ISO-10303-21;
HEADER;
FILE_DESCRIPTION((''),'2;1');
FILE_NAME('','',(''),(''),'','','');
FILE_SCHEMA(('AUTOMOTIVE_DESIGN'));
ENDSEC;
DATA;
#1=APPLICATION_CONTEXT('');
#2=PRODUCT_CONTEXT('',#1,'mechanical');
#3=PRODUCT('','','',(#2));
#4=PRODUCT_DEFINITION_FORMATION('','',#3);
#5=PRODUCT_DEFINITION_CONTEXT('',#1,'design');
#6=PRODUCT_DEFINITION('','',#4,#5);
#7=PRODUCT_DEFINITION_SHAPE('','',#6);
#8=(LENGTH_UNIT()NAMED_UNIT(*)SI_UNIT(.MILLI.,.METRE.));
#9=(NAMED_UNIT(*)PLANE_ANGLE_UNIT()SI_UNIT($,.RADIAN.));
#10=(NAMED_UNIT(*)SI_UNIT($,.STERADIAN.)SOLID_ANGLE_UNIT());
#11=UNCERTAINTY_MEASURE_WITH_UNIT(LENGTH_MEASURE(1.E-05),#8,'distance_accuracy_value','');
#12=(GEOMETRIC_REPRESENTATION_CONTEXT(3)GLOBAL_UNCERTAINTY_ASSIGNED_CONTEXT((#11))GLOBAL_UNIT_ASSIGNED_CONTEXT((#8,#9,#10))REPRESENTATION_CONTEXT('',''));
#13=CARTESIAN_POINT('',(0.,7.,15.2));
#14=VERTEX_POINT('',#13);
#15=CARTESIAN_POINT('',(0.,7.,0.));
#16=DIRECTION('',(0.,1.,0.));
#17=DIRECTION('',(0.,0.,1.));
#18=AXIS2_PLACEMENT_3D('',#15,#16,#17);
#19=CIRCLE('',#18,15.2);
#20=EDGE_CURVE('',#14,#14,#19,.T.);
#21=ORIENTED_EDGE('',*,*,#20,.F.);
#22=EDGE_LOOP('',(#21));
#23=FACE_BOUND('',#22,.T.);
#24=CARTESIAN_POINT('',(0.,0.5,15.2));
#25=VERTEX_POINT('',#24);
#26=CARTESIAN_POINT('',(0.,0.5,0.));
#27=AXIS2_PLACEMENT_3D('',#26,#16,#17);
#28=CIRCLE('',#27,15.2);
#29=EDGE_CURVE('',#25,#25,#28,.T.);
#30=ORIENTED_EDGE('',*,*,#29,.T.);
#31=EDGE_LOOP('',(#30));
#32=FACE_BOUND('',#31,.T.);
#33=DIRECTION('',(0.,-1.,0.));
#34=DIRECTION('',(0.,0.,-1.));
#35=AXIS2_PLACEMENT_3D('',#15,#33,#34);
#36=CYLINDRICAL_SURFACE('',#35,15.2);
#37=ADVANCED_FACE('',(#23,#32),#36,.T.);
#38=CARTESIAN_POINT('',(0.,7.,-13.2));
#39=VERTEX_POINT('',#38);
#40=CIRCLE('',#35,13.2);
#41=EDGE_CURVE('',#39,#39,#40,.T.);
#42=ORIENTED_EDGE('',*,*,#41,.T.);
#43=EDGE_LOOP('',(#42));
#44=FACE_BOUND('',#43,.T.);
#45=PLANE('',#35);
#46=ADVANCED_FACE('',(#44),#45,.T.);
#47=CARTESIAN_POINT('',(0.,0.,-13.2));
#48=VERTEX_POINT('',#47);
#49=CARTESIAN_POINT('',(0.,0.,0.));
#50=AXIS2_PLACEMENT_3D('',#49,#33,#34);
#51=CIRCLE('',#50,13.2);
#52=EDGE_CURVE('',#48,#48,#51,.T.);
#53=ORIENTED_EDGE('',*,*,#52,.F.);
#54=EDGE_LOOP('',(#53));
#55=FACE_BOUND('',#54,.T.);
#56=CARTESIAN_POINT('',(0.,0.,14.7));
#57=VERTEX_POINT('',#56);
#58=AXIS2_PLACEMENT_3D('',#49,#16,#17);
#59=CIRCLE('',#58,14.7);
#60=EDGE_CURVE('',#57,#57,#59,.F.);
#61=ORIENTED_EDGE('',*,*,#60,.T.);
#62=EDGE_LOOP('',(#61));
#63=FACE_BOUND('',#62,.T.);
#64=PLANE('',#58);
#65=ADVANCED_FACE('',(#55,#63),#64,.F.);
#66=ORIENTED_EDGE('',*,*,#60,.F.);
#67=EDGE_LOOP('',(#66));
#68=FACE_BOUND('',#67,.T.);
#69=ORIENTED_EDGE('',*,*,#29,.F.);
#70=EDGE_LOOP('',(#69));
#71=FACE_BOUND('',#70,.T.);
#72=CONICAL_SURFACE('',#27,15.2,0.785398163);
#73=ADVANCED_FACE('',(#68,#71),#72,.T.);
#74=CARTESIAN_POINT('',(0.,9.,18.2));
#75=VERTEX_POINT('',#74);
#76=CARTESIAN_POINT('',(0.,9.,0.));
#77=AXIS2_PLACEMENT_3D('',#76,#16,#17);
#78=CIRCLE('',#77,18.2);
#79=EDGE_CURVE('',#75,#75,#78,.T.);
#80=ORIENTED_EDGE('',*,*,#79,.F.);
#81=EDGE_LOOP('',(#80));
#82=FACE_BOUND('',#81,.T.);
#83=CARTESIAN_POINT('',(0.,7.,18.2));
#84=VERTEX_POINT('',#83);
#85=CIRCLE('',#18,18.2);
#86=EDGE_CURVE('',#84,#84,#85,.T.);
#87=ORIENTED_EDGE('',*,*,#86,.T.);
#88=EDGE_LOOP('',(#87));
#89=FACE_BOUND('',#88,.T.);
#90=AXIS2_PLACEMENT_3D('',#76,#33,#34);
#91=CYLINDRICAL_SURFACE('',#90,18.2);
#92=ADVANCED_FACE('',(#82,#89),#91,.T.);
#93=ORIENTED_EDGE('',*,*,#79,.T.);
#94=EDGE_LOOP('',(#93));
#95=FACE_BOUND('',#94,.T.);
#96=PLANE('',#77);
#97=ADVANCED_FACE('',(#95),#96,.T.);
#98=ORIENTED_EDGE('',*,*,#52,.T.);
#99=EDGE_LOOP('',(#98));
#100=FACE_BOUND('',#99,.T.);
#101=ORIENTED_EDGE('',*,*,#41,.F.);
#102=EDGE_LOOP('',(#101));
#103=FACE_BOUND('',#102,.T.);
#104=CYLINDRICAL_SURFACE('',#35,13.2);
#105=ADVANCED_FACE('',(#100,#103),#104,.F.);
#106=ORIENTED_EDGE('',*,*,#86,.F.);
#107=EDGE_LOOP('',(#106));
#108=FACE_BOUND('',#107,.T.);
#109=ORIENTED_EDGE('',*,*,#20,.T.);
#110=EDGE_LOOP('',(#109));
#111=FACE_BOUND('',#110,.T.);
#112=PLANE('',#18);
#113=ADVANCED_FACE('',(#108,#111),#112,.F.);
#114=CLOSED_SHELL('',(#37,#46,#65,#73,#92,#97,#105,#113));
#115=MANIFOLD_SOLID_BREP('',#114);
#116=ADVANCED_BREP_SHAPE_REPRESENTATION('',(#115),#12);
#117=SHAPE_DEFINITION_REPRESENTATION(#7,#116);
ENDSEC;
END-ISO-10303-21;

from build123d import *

# Parameters (mm, degrees)
SKETCH_1_R          = 15.2
D30_4T7_DEPTH       = 7
SKETCH_2_R          = 18.2
SKETCH_2_R_2        = 15.2
EXTRUDE_2_DEPTH     = 2
SKETCH_3_R          = 13.2
CUT_EXTRUDE_1_DEPTH = 7
CHAMFER_1_SIZE      = 0.5


with BuildPart() as part:
    # 스케치1 → D30.4t7 (new body)
    with BuildSketch(Plane(origin=(0, 0, 0), x_dir=(1, 0, 0), z_dir=(0, 1, 0))):
        with Locations(Location((0, 0, 0), (0, 0, 270))):
            Circle(SKETCH_1_R)
    extrude(amount=D30_4T7_DEPTH)

    # 스케치2 → 보스-돌출2 (add)
    # profile 1 of 3: a face of its own
    with BuildSketch(Plane(origin=(0, 7, 0), x_dir=(1, 0, 0), z_dir=(0, 1, 0))):
        with Locations(Location((0, 0, 0), (0, 0, 270))):
            Circle(SKETCH_2_R)
        with Locations(Location((0, 0, 0), (0, 0, 270))):
            Circle(SKETCH_2_R_2, mode=Mode.SUBTRACT)
    # profile 2 of 3: a face of its own
    with BuildSketch(Plane(origin=(0, 7, 0), x_dir=(1, 0, 0), z_dir=(0, 1, 0))):
        with Locations(Location((0, 0, 0), (0, 0, 270))):
            Circle(SKETCH_2_R_2)
    # profile 3 of 3: a face of its own
    with BuildSketch(Plane(origin=(0, 7, 0), x_dir=(1, 0, 0), z_dir=(0, 1, 0))):
        with Locations(Location((0, 0, 0), (0, 0, 270))):
            Circle(SKETCH_2_R_2)
    extrude(amount=EXTRUDE_2_DEPTH)

    # 스케치3 → 컷-돌출1 (cut)
    with BuildSketch(Plane.XZ):
        with Locations(Location((0, 0, 0), (0, 0, 270))):
            Circle(SKETCH_3_R)
    extrude(amount=-CUT_EXTRUDE_1_DEPTH, mode=Mode.SUBTRACT)

    # 모따기1
    chamfer_1_edges = [part.edges().sort_by_distance(p)[0] for p in [
        (0, 0, -15.2),
    ]]
    chamfer(chamfer_1_edges, length=CHAMFER_1_SIZE)


solid = part.part
